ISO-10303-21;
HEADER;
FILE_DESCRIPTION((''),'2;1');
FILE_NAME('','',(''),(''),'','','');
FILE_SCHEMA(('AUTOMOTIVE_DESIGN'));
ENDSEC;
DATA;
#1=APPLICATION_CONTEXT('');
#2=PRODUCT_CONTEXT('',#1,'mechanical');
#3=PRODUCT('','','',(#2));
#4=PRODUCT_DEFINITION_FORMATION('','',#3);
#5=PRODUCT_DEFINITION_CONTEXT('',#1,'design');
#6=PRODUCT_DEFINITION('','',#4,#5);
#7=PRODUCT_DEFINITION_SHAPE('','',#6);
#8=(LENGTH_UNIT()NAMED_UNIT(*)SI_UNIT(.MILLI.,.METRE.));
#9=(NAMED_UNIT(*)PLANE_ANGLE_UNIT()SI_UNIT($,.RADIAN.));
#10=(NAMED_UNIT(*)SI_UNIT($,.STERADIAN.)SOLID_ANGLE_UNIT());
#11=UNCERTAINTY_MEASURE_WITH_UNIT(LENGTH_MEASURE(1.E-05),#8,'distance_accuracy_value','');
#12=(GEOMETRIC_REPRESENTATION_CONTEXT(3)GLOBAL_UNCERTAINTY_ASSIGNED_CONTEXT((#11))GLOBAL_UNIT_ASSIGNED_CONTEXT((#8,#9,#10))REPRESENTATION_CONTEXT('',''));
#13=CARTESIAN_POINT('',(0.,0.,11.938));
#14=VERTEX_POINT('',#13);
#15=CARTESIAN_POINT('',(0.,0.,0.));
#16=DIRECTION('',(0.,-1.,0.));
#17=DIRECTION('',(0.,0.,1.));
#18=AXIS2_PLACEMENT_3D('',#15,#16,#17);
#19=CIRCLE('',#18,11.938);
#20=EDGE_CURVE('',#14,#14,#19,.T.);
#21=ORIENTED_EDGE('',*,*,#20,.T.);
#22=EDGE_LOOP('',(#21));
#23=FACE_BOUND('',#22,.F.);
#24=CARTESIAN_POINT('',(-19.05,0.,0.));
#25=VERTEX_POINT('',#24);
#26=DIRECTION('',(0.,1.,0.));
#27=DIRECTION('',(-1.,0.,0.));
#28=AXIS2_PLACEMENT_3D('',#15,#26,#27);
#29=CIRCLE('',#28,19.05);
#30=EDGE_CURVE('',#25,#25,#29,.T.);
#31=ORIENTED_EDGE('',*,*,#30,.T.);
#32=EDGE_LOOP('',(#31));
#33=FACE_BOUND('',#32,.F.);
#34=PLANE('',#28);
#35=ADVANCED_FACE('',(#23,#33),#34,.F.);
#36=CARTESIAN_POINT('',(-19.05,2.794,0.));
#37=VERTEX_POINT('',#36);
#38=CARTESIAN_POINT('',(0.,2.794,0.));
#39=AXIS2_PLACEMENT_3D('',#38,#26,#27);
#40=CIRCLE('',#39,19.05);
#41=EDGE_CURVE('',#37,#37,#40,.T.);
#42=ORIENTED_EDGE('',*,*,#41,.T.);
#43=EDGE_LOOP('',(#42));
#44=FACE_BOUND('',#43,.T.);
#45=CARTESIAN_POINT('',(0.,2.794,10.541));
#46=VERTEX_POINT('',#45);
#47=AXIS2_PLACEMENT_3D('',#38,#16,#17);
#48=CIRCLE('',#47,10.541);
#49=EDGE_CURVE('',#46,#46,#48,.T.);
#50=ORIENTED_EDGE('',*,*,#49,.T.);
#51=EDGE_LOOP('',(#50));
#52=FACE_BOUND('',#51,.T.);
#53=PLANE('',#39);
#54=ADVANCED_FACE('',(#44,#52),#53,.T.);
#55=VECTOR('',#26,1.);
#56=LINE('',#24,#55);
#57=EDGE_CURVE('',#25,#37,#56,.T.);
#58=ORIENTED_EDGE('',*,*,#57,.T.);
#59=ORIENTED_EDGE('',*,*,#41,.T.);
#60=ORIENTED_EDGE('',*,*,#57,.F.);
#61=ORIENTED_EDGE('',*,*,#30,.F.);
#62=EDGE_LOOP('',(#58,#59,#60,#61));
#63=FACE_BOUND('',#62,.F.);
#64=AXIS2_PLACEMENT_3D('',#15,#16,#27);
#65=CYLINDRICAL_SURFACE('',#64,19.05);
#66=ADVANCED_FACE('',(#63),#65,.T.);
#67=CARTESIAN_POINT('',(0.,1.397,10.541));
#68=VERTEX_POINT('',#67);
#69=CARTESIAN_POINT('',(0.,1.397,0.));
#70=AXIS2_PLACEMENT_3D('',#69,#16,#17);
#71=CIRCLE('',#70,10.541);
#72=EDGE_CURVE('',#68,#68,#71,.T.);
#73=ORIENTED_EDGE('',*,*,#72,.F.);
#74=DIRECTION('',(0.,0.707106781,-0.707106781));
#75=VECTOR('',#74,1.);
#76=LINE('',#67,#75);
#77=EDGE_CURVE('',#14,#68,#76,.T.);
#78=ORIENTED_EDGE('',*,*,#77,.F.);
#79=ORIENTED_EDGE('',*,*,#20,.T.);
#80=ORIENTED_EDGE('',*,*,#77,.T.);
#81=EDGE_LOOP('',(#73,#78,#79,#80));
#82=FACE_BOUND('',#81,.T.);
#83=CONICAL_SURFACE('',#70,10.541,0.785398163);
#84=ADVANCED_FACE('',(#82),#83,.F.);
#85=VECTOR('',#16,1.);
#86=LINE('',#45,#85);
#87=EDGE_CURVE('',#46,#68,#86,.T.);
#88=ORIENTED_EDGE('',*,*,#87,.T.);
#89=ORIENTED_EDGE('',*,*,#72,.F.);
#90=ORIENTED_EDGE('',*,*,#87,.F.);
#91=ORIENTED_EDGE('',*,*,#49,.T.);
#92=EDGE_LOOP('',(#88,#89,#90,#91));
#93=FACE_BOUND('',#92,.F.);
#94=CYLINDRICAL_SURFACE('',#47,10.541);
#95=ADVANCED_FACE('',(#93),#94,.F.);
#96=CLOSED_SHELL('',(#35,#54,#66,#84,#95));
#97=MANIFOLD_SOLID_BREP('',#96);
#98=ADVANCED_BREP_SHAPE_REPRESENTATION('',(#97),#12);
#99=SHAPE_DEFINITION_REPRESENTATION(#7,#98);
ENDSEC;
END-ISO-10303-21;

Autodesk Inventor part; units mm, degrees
ref_plane "YZ Plane" through (0, 0, 0) normal (1, 0, 0) x (0, 1, 0)
ref_plane "XZ Plane" through (0, 0, 0) normal (0, 1, 0) x (-1, 0, 0)
ref_plane "XY Plane" through (0, 0, 0) normal (0, 0, 1) x (1, 0, 0)
sketch "Sketch1" plane through (0, 0, 0) normal (0, 1, 0) x (-1, 0, 0)
  circle A0 centre (0, 0) radius 19.05
  dimension "d0" = 38.1
extrude "Extrusion1" add sketch "Sketch1" along normal blind 2.794
hole "Hole1" at (0, 2.794, 0) direction (0, -1, 0) diameter 21.082 end through all
chamfer "Chamfer1" distance 1.397 angle 45 1 edges at (0, 0, -10.541)
properties part number "Switch Hole Test"
